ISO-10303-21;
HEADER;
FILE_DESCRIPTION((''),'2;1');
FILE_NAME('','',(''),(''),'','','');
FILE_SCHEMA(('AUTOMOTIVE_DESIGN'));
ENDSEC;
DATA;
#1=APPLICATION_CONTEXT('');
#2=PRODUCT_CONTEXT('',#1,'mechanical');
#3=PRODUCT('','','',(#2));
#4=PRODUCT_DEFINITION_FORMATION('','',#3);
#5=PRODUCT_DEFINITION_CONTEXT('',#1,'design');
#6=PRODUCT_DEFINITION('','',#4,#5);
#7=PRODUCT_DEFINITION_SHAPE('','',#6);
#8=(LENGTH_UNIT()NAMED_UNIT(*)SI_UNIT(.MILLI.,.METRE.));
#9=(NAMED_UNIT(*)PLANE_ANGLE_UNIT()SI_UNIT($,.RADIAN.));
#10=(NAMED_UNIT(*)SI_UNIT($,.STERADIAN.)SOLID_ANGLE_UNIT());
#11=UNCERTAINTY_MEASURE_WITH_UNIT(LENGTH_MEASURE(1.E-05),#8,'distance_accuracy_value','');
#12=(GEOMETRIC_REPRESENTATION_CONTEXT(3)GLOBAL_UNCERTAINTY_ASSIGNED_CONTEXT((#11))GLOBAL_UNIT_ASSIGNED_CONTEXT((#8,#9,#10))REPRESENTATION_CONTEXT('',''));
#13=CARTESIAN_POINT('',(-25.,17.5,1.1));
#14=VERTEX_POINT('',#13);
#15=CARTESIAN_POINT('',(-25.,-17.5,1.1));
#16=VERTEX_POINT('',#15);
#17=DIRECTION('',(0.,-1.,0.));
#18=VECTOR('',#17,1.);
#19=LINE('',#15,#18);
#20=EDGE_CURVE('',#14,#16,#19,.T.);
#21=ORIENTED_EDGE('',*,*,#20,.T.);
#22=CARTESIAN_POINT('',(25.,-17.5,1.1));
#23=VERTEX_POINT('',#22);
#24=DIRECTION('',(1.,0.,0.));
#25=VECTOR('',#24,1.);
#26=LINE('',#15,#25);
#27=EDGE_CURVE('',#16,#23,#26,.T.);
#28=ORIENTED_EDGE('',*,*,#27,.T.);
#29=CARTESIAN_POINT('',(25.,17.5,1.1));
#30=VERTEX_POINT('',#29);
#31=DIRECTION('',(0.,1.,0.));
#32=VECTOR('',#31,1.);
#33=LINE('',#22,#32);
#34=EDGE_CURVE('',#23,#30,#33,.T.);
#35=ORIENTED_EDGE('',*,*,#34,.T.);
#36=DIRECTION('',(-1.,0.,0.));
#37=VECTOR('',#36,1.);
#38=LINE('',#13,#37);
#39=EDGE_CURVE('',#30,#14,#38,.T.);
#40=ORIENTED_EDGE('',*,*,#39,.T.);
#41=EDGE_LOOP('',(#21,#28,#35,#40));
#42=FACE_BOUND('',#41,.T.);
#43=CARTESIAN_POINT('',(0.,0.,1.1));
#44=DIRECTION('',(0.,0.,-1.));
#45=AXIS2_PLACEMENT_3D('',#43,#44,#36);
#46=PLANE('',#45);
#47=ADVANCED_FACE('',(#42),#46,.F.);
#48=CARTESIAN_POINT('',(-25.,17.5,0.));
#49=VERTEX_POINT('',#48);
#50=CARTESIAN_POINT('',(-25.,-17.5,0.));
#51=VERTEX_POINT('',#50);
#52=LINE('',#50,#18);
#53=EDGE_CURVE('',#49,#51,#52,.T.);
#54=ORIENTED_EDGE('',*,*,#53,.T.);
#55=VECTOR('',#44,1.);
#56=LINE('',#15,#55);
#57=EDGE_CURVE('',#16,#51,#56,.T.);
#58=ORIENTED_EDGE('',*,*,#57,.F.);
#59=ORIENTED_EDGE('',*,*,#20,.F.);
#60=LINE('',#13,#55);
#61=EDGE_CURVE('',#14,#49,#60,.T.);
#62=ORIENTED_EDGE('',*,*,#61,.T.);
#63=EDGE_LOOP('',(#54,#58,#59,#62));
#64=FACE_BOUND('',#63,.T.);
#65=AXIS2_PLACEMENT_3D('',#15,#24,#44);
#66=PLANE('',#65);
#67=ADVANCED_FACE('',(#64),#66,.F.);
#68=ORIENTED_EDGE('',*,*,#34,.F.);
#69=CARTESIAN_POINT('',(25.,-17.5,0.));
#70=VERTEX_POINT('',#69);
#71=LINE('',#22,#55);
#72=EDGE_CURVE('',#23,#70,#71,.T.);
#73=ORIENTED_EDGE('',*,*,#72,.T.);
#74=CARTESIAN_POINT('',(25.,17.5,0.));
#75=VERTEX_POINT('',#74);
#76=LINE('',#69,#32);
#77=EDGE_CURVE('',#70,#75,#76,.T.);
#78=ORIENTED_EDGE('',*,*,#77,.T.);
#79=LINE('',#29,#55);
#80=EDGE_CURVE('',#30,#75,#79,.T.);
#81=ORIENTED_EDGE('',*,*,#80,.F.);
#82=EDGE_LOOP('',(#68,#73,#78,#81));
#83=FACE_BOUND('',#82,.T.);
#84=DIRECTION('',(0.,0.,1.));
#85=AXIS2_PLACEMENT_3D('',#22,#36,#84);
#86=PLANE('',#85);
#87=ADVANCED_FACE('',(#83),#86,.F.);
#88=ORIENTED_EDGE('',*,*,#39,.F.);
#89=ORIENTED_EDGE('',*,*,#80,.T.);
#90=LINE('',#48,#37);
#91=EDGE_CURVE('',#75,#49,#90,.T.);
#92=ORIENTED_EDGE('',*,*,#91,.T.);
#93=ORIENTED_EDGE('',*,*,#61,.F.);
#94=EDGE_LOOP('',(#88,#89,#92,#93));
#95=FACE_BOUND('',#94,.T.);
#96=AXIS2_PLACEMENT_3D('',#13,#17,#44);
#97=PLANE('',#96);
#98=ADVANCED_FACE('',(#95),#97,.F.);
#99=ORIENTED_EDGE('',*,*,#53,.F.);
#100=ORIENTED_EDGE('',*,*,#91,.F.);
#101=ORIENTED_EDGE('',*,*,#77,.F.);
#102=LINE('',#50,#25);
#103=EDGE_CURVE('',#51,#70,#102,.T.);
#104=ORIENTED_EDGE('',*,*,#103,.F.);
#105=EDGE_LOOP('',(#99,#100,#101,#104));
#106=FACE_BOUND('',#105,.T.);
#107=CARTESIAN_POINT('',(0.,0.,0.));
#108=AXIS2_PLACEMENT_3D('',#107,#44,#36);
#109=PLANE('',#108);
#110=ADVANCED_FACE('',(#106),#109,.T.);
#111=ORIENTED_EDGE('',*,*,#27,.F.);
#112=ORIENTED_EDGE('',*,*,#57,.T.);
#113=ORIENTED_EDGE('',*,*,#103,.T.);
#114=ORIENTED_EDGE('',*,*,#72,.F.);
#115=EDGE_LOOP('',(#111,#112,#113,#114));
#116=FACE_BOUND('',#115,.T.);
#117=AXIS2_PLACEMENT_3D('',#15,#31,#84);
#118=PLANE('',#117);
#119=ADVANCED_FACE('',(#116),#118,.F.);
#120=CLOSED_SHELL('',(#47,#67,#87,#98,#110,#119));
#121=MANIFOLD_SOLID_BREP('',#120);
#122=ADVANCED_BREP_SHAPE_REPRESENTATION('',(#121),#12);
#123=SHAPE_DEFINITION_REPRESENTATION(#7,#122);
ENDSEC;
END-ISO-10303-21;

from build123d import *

# Parameters (mm, degrees)
SKETCH_1_W      = 50
SKETCH_1_H      = 35
EXTRUDE_1_DEPTH = 1.1


with BuildPart() as part:
    # 草图1 → 凸台-拉伸1 (new body)
    with BuildSketch(Plane.XY):
        Rectangle(SKETCH_1_W, SKETCH_1_H)
    extrude(amount=EXTRUDE_1_DEPTH)


solid = part.part
